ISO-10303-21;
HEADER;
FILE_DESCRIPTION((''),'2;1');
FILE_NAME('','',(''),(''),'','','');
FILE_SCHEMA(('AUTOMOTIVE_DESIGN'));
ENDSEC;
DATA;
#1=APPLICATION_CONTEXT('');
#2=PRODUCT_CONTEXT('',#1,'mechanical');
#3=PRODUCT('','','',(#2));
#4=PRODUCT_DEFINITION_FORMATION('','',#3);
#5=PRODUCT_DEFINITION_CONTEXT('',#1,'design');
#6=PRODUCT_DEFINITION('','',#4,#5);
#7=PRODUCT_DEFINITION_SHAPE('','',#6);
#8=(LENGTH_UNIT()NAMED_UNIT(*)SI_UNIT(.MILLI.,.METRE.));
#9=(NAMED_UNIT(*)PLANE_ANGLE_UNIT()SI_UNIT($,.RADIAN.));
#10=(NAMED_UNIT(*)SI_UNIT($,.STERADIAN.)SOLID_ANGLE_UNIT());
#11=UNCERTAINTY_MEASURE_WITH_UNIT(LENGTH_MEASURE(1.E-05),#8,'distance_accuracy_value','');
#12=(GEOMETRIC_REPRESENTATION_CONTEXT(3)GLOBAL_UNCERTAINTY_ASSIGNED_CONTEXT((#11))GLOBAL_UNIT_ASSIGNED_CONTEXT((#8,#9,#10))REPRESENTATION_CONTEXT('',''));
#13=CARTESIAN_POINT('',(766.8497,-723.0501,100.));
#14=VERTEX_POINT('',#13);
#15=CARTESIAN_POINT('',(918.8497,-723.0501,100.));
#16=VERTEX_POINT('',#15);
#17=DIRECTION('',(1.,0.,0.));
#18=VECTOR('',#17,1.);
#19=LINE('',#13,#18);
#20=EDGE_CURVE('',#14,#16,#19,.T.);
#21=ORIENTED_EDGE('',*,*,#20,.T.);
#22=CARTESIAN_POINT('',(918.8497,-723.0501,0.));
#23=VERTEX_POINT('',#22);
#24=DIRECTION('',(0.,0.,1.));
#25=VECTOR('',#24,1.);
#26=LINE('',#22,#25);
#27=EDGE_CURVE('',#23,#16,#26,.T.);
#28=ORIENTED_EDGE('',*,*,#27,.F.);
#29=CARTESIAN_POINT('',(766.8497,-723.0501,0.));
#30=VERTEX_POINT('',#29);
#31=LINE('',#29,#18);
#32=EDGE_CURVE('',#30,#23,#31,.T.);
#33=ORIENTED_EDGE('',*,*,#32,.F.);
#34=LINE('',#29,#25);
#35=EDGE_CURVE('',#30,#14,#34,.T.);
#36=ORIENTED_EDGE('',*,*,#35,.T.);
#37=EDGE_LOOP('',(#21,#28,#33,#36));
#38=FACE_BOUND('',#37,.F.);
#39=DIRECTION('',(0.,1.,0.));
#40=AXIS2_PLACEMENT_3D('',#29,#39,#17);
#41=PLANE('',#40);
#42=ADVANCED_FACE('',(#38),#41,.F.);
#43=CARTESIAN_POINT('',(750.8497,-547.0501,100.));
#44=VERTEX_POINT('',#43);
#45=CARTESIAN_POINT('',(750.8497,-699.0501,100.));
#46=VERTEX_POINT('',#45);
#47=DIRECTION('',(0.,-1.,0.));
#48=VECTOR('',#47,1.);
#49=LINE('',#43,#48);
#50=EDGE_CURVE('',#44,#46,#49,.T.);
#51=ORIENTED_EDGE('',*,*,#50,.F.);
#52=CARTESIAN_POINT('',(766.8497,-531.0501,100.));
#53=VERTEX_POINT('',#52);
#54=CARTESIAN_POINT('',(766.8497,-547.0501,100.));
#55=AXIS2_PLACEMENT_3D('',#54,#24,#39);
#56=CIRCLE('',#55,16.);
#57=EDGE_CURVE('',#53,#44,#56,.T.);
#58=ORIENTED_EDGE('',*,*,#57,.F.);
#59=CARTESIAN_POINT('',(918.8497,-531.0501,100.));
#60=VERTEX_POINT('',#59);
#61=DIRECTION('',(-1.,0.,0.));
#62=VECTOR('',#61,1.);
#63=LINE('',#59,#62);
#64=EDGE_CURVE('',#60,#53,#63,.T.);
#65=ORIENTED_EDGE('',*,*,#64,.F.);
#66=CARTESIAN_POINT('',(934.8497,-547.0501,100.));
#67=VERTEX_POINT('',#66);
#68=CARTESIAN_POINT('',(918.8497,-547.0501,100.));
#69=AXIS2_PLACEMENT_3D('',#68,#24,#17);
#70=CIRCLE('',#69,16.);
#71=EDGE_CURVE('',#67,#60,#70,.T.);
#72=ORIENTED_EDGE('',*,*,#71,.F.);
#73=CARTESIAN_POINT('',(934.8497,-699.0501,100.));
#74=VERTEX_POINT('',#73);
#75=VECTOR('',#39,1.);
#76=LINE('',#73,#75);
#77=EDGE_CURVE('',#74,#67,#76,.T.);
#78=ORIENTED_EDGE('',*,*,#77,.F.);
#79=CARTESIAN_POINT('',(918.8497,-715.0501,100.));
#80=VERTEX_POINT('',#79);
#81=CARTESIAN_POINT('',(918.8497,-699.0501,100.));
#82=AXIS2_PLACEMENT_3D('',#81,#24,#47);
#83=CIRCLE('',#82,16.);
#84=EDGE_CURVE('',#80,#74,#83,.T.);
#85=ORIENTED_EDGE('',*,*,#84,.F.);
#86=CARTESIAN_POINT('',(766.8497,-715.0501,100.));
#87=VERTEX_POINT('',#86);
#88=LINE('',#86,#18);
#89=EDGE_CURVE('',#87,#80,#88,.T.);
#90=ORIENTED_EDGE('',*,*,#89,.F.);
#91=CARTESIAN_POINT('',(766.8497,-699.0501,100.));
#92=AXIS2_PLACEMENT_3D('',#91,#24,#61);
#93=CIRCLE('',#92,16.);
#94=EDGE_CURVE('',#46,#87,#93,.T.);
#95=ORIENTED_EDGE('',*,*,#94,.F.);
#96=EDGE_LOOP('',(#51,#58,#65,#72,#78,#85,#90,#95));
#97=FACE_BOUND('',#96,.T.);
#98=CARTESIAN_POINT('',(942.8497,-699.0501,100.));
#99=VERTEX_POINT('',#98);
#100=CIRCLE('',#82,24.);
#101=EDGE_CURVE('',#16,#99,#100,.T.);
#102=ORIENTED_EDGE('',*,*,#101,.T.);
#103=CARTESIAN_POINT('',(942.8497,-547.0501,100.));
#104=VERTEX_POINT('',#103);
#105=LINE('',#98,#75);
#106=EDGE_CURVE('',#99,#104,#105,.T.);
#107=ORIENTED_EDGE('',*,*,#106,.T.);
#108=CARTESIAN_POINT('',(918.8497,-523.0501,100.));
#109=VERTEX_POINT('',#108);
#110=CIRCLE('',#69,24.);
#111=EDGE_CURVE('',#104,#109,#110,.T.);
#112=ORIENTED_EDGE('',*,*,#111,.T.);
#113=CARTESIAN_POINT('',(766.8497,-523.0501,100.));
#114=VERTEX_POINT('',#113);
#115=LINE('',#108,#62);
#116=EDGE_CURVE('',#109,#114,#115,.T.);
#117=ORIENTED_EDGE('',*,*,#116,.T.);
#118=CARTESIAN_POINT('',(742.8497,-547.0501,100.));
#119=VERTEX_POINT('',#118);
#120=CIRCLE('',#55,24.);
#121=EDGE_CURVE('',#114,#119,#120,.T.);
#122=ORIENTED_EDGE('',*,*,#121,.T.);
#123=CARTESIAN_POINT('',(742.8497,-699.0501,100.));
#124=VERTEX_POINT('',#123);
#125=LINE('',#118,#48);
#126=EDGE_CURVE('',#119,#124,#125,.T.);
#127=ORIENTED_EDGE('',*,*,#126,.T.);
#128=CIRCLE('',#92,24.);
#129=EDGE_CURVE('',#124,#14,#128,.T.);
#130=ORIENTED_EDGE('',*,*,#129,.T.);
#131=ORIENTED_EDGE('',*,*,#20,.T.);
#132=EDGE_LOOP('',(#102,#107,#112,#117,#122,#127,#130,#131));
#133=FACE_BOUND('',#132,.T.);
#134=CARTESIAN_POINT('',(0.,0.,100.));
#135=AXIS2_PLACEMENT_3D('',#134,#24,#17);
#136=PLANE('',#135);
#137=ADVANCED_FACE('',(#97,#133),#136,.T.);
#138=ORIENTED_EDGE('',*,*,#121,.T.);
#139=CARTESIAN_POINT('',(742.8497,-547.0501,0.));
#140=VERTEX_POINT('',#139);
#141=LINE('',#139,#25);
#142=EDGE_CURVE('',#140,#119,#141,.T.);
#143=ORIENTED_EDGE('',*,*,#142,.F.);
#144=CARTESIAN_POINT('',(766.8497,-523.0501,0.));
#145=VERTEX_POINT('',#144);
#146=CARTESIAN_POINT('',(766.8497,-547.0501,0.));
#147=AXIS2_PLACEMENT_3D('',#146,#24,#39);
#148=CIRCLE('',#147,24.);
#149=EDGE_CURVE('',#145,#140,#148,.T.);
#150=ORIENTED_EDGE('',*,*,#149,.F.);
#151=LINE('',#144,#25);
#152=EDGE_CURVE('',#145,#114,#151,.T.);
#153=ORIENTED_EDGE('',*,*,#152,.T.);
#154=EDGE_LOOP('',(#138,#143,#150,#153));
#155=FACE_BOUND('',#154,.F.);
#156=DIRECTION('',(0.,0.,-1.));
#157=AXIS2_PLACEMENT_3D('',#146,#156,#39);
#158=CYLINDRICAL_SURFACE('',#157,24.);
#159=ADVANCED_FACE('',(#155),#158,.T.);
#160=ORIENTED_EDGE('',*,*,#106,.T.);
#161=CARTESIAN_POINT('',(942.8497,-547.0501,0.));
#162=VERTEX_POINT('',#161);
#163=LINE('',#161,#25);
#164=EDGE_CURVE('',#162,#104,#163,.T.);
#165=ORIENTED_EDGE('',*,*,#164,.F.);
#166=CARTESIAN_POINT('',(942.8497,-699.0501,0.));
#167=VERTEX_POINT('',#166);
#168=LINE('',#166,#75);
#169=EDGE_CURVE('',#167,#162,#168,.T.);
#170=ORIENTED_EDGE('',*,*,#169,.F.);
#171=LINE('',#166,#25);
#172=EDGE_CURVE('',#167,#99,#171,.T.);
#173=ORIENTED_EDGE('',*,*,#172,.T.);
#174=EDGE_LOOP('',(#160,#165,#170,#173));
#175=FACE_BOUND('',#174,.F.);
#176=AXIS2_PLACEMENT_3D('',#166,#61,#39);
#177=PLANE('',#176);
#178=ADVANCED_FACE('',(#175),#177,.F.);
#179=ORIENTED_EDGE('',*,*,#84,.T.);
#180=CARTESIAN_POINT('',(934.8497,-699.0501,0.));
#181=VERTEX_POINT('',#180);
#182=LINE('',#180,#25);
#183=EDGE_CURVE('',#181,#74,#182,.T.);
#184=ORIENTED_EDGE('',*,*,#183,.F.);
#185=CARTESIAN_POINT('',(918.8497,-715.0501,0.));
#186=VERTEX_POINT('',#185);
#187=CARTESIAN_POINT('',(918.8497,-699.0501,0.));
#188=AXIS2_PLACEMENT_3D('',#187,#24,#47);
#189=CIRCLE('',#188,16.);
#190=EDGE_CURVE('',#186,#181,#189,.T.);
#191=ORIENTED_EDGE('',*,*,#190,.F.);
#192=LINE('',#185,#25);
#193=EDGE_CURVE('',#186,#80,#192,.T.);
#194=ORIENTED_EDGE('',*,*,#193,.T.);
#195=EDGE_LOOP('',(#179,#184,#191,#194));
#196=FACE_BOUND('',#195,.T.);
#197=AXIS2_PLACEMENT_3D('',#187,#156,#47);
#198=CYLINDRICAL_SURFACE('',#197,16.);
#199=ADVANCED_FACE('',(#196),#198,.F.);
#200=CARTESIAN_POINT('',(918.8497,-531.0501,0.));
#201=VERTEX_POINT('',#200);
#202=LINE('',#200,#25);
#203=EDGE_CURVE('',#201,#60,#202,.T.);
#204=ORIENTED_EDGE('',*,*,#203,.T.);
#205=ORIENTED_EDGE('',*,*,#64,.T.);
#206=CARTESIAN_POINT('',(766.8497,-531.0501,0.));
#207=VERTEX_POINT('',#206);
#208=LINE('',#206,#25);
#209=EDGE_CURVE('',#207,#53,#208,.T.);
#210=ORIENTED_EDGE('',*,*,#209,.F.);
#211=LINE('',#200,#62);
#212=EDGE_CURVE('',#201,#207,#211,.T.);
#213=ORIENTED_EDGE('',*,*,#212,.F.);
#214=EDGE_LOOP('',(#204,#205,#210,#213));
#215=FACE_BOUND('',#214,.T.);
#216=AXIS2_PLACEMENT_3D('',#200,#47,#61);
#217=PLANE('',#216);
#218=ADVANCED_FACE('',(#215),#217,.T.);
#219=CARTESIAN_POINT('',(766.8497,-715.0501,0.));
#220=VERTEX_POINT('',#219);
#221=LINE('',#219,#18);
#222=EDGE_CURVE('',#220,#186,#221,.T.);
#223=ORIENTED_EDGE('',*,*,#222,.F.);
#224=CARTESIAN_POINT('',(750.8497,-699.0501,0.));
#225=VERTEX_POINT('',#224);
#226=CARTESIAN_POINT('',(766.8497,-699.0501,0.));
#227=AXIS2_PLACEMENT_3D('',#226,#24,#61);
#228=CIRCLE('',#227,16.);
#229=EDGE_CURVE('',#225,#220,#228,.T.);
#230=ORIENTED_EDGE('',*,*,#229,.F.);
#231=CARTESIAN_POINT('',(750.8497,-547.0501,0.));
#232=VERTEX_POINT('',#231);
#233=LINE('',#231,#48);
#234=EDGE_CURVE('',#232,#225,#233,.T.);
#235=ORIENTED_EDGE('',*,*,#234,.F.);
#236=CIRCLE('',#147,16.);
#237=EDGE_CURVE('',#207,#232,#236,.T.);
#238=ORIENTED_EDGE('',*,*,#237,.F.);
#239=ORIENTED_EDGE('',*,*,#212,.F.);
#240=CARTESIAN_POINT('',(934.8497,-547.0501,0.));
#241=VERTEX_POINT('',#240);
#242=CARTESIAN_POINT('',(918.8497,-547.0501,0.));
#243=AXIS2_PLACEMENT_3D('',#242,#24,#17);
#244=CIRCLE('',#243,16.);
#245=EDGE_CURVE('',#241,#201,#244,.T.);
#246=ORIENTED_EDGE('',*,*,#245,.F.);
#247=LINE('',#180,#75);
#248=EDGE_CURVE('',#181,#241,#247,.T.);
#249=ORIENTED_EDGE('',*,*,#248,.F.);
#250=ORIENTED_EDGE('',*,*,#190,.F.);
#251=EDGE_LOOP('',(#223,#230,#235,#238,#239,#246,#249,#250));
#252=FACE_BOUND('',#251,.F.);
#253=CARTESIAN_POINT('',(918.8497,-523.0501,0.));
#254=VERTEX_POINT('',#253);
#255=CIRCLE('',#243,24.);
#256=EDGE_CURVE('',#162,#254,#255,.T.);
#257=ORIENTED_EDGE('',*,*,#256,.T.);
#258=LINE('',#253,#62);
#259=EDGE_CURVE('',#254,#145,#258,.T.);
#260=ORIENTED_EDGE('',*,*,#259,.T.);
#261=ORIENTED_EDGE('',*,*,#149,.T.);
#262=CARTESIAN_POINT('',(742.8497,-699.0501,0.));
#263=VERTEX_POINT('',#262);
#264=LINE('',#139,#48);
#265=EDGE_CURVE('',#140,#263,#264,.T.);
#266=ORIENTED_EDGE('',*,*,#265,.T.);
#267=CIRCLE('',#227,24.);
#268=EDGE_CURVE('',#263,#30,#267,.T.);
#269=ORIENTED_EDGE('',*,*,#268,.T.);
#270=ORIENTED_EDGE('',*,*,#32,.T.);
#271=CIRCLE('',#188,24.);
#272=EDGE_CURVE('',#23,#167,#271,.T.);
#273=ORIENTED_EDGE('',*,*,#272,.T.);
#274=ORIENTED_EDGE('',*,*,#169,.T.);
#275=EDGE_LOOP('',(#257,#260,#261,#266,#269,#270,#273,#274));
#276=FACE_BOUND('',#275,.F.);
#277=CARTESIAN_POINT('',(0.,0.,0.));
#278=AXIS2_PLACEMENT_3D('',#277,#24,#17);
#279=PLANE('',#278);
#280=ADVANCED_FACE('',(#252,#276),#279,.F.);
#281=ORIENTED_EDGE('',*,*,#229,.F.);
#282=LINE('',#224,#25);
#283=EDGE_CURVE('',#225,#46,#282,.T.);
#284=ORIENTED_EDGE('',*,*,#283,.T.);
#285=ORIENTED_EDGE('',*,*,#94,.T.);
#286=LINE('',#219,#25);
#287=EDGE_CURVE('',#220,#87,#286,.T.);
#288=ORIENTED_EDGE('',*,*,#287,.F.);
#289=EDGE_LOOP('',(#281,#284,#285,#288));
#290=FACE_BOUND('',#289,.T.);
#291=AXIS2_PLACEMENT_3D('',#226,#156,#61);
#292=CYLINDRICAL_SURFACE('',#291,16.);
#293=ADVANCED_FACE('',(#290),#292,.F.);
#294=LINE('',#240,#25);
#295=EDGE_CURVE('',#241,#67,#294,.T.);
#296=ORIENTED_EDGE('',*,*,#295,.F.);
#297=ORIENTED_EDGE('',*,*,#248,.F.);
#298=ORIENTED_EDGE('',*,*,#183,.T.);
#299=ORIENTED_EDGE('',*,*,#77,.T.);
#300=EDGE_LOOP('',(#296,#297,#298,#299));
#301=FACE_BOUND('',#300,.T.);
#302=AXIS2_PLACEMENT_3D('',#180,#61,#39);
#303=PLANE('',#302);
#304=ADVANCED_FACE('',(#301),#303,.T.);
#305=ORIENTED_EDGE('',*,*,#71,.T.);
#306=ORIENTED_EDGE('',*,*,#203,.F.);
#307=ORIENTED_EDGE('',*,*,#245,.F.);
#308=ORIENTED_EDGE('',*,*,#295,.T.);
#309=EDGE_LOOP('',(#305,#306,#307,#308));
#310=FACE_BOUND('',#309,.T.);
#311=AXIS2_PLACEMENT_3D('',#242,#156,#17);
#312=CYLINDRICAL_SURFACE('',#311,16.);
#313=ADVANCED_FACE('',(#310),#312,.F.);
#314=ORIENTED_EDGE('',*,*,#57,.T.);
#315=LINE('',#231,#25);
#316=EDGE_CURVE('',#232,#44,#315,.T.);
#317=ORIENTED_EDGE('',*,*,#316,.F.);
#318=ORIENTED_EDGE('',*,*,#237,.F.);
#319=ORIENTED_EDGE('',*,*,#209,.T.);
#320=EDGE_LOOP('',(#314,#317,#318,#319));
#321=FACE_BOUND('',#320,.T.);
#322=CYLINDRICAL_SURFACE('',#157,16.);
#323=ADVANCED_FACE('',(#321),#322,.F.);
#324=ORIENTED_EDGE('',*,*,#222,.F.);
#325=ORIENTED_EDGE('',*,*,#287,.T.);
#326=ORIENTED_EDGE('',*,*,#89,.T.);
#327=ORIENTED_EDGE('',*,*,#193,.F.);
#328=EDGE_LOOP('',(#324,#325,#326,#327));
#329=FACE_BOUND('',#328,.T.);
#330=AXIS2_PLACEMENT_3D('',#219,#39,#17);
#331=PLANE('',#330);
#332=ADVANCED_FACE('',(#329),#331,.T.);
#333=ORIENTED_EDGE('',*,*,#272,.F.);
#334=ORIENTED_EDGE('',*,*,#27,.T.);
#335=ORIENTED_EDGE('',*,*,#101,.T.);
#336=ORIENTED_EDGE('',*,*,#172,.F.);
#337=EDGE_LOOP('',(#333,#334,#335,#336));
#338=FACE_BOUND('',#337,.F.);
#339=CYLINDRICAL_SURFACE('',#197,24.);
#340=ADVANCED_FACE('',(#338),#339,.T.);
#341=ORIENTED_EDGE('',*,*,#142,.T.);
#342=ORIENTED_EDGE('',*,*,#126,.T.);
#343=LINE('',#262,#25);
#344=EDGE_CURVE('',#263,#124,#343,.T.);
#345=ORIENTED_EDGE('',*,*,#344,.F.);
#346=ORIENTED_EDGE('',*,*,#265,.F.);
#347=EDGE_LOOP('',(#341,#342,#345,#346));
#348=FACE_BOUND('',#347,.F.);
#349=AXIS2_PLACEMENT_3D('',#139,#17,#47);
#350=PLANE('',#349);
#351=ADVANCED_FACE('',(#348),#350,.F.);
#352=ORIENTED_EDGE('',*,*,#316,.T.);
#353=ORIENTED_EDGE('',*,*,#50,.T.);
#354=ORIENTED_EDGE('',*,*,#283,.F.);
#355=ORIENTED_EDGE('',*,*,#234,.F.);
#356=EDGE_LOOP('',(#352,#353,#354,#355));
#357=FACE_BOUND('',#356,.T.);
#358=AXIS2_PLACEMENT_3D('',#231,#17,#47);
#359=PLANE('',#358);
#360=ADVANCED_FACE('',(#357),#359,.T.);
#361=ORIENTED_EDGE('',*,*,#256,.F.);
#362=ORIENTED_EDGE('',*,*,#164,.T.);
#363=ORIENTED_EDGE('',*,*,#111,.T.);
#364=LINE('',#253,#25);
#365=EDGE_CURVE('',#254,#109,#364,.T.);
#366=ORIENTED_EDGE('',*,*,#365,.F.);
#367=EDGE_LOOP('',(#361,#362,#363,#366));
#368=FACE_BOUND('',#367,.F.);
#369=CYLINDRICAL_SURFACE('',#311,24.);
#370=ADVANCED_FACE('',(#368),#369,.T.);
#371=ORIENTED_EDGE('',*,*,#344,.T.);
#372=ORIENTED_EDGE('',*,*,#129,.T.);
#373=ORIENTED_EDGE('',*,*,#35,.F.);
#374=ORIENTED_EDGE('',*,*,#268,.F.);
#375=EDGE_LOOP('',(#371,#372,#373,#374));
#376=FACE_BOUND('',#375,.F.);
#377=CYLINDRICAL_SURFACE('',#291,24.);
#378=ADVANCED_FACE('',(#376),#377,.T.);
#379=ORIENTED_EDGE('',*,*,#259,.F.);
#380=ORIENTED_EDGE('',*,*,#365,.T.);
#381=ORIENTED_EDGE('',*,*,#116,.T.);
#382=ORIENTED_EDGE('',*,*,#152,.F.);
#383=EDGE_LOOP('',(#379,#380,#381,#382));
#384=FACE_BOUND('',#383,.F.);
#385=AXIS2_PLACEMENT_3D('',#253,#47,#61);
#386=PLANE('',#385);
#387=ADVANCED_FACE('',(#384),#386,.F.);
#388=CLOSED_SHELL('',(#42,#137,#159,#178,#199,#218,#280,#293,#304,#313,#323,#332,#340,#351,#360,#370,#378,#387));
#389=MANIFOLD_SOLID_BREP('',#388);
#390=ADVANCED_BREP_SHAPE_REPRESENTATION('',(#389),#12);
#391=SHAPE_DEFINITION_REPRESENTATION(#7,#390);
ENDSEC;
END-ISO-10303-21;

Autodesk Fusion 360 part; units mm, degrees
sketch "スケッチ1" plane through (0, 0, 0) normal (0, 0, 1) x (1, 0, 0)
  line L0 (942.8497, -699.0501) -> (942.8497, -547.0501)
  line L1 (934.8497, -699.0501) -> (934.8497, -547.0501)
  line L2 (742.8497, -547.0501) -> (742.8497, -699.0501)
  line L3 (750.8497, -547.0501) -> (750.8497, -699.0501)
  line L4 (766.8497, -723.0501) -> (918.8497, -723.0501)
  line L5 (766.8497, -715.0501) -> (918.8497, -715.0501)
  arc A0 (742.8497, -699.0501) -> (766.8497, -723.0501) centre (766.8497, -699.0501) ccw
  arc A1 (750.8497, -699.0501) -> (766.8497, -715.0501) centre (766.8497, -699.0501) ccw
  arc A2 (918.8497, -723.0501) -> (942.8497, -699.0501) centre (918.8497, -699.0501) ccw
  arc A3 (918.8497, -715.0501) -> (934.8497, -699.0501) centre (918.8497, -699.0501) ccw
  line L6 (918.8497, -523.0501) -> (766.8497, -523.0501)
  line L7 (918.8497, -531.0501) -> (766.8497, -531.0501)
  arc A4 (766.8497, -523.0501) -> (742.8497, -547.0501) centre (766.8497, -547.0501) ccw
  arc A5 (766.8497, -531.0501) -> (750.8497, -547.0501) centre (766.8497, -547.0501) ccw
  arc A6 (942.8497, -547.0501) -> (918.8497, -523.0501) centre (918.8497, -547.0501) ccw
  arc A7 (934.8497, -547.0501) -> (918.8497, -531.0501) centre (918.8497, -547.0501) ccw
  point P0 (842.8497, -623.0501)
extrude "押し出し1" add sketch "スケッチ1" along normal blind 100
